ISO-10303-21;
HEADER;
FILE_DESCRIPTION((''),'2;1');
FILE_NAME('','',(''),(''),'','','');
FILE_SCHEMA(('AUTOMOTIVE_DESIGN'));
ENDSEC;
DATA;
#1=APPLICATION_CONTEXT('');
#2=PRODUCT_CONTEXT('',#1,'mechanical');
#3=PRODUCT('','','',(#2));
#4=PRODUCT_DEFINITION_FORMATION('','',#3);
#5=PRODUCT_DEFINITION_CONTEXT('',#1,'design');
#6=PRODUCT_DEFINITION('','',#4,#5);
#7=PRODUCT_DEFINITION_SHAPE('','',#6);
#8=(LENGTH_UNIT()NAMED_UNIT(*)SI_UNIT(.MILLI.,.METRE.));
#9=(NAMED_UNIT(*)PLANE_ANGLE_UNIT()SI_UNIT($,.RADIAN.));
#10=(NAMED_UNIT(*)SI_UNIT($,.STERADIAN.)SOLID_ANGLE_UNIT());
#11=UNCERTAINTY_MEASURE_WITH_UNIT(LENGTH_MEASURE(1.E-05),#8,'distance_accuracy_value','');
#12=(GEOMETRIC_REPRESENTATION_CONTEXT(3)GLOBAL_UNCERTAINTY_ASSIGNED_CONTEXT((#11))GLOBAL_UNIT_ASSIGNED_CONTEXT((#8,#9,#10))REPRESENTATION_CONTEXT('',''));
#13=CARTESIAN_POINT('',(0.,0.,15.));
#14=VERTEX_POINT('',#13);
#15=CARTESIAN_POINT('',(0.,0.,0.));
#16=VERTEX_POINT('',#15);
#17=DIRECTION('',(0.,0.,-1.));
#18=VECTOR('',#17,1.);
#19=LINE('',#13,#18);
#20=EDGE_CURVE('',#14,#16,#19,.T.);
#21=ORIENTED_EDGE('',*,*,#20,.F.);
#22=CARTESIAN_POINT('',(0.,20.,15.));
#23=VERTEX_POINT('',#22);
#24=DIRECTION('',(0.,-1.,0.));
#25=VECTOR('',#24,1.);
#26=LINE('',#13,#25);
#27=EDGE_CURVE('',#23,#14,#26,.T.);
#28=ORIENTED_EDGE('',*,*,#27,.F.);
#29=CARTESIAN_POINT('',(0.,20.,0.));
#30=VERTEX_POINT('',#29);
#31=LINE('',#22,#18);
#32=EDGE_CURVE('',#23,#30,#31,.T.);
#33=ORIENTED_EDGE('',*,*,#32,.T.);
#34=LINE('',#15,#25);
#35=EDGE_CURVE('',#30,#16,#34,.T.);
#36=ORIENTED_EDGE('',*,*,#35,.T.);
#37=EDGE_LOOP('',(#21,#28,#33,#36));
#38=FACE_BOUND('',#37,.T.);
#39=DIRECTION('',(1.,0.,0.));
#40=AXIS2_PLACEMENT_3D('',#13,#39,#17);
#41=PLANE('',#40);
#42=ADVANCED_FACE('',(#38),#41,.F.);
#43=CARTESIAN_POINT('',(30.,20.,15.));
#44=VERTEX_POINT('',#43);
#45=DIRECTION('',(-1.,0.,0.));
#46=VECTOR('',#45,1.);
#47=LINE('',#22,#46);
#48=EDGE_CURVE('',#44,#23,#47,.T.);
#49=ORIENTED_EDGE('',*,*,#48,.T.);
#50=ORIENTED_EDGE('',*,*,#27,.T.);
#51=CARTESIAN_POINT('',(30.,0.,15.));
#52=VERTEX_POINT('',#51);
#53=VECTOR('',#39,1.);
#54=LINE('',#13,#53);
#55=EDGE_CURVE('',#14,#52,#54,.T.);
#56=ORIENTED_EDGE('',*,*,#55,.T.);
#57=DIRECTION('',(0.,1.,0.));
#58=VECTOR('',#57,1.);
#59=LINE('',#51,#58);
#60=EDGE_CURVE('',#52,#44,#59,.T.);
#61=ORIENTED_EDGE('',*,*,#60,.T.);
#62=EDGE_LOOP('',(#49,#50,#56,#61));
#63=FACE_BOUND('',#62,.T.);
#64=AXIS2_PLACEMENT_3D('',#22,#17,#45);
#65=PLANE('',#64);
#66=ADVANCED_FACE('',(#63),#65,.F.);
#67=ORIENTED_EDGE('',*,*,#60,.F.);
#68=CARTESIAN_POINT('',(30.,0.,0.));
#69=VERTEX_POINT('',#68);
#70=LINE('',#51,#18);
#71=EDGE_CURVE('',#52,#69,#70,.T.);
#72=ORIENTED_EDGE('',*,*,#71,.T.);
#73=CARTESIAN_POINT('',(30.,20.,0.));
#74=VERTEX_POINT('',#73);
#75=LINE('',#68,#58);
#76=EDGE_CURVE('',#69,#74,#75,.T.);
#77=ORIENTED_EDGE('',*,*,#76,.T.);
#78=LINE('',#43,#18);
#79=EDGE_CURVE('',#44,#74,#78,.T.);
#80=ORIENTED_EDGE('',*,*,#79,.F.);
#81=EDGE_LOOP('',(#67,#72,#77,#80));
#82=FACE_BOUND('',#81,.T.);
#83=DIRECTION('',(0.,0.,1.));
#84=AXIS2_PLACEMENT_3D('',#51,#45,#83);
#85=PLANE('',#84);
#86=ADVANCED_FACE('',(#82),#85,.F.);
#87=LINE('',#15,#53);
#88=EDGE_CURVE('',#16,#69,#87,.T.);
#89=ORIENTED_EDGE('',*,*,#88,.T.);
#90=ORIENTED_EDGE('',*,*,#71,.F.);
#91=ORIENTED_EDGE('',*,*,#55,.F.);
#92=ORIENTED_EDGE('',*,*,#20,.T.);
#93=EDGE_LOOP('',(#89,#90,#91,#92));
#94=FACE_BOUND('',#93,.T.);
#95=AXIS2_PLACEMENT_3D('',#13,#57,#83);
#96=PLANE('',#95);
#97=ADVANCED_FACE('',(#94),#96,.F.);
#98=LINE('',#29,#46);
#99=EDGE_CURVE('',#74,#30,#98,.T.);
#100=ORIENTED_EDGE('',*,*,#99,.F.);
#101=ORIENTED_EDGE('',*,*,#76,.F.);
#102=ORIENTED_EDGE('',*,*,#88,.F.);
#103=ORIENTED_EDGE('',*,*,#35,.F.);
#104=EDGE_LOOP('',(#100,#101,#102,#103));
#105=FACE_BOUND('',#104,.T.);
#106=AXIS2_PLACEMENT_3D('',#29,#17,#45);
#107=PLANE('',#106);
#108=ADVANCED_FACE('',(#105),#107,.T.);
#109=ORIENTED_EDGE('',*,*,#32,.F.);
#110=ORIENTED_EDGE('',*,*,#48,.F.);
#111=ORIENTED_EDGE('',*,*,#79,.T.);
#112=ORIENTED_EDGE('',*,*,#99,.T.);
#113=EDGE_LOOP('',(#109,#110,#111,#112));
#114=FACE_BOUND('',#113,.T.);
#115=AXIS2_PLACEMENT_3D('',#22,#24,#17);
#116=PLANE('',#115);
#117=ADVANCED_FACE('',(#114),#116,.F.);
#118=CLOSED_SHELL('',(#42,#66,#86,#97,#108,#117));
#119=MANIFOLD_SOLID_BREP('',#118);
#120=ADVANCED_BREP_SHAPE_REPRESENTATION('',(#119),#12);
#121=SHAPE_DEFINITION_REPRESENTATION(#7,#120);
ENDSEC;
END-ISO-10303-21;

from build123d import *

# Parameters (mm, degrees)
ESQUISSE1_W          = 30
ESQUISSE1_H          = 20
BASE_EXTRUSION_DEPTH = 15


with BuildPart() as part:
    # Esquisse1 → Base-Extrusion (new body)
    with BuildSketch(Plane.XY):
        with Locations((15, 10)):
            Rectangle(ESQUISSE1_W, ESQUISSE1_H)
    extrude(amount=BASE_EXTRUSION_DEPTH)


solid = part.part
